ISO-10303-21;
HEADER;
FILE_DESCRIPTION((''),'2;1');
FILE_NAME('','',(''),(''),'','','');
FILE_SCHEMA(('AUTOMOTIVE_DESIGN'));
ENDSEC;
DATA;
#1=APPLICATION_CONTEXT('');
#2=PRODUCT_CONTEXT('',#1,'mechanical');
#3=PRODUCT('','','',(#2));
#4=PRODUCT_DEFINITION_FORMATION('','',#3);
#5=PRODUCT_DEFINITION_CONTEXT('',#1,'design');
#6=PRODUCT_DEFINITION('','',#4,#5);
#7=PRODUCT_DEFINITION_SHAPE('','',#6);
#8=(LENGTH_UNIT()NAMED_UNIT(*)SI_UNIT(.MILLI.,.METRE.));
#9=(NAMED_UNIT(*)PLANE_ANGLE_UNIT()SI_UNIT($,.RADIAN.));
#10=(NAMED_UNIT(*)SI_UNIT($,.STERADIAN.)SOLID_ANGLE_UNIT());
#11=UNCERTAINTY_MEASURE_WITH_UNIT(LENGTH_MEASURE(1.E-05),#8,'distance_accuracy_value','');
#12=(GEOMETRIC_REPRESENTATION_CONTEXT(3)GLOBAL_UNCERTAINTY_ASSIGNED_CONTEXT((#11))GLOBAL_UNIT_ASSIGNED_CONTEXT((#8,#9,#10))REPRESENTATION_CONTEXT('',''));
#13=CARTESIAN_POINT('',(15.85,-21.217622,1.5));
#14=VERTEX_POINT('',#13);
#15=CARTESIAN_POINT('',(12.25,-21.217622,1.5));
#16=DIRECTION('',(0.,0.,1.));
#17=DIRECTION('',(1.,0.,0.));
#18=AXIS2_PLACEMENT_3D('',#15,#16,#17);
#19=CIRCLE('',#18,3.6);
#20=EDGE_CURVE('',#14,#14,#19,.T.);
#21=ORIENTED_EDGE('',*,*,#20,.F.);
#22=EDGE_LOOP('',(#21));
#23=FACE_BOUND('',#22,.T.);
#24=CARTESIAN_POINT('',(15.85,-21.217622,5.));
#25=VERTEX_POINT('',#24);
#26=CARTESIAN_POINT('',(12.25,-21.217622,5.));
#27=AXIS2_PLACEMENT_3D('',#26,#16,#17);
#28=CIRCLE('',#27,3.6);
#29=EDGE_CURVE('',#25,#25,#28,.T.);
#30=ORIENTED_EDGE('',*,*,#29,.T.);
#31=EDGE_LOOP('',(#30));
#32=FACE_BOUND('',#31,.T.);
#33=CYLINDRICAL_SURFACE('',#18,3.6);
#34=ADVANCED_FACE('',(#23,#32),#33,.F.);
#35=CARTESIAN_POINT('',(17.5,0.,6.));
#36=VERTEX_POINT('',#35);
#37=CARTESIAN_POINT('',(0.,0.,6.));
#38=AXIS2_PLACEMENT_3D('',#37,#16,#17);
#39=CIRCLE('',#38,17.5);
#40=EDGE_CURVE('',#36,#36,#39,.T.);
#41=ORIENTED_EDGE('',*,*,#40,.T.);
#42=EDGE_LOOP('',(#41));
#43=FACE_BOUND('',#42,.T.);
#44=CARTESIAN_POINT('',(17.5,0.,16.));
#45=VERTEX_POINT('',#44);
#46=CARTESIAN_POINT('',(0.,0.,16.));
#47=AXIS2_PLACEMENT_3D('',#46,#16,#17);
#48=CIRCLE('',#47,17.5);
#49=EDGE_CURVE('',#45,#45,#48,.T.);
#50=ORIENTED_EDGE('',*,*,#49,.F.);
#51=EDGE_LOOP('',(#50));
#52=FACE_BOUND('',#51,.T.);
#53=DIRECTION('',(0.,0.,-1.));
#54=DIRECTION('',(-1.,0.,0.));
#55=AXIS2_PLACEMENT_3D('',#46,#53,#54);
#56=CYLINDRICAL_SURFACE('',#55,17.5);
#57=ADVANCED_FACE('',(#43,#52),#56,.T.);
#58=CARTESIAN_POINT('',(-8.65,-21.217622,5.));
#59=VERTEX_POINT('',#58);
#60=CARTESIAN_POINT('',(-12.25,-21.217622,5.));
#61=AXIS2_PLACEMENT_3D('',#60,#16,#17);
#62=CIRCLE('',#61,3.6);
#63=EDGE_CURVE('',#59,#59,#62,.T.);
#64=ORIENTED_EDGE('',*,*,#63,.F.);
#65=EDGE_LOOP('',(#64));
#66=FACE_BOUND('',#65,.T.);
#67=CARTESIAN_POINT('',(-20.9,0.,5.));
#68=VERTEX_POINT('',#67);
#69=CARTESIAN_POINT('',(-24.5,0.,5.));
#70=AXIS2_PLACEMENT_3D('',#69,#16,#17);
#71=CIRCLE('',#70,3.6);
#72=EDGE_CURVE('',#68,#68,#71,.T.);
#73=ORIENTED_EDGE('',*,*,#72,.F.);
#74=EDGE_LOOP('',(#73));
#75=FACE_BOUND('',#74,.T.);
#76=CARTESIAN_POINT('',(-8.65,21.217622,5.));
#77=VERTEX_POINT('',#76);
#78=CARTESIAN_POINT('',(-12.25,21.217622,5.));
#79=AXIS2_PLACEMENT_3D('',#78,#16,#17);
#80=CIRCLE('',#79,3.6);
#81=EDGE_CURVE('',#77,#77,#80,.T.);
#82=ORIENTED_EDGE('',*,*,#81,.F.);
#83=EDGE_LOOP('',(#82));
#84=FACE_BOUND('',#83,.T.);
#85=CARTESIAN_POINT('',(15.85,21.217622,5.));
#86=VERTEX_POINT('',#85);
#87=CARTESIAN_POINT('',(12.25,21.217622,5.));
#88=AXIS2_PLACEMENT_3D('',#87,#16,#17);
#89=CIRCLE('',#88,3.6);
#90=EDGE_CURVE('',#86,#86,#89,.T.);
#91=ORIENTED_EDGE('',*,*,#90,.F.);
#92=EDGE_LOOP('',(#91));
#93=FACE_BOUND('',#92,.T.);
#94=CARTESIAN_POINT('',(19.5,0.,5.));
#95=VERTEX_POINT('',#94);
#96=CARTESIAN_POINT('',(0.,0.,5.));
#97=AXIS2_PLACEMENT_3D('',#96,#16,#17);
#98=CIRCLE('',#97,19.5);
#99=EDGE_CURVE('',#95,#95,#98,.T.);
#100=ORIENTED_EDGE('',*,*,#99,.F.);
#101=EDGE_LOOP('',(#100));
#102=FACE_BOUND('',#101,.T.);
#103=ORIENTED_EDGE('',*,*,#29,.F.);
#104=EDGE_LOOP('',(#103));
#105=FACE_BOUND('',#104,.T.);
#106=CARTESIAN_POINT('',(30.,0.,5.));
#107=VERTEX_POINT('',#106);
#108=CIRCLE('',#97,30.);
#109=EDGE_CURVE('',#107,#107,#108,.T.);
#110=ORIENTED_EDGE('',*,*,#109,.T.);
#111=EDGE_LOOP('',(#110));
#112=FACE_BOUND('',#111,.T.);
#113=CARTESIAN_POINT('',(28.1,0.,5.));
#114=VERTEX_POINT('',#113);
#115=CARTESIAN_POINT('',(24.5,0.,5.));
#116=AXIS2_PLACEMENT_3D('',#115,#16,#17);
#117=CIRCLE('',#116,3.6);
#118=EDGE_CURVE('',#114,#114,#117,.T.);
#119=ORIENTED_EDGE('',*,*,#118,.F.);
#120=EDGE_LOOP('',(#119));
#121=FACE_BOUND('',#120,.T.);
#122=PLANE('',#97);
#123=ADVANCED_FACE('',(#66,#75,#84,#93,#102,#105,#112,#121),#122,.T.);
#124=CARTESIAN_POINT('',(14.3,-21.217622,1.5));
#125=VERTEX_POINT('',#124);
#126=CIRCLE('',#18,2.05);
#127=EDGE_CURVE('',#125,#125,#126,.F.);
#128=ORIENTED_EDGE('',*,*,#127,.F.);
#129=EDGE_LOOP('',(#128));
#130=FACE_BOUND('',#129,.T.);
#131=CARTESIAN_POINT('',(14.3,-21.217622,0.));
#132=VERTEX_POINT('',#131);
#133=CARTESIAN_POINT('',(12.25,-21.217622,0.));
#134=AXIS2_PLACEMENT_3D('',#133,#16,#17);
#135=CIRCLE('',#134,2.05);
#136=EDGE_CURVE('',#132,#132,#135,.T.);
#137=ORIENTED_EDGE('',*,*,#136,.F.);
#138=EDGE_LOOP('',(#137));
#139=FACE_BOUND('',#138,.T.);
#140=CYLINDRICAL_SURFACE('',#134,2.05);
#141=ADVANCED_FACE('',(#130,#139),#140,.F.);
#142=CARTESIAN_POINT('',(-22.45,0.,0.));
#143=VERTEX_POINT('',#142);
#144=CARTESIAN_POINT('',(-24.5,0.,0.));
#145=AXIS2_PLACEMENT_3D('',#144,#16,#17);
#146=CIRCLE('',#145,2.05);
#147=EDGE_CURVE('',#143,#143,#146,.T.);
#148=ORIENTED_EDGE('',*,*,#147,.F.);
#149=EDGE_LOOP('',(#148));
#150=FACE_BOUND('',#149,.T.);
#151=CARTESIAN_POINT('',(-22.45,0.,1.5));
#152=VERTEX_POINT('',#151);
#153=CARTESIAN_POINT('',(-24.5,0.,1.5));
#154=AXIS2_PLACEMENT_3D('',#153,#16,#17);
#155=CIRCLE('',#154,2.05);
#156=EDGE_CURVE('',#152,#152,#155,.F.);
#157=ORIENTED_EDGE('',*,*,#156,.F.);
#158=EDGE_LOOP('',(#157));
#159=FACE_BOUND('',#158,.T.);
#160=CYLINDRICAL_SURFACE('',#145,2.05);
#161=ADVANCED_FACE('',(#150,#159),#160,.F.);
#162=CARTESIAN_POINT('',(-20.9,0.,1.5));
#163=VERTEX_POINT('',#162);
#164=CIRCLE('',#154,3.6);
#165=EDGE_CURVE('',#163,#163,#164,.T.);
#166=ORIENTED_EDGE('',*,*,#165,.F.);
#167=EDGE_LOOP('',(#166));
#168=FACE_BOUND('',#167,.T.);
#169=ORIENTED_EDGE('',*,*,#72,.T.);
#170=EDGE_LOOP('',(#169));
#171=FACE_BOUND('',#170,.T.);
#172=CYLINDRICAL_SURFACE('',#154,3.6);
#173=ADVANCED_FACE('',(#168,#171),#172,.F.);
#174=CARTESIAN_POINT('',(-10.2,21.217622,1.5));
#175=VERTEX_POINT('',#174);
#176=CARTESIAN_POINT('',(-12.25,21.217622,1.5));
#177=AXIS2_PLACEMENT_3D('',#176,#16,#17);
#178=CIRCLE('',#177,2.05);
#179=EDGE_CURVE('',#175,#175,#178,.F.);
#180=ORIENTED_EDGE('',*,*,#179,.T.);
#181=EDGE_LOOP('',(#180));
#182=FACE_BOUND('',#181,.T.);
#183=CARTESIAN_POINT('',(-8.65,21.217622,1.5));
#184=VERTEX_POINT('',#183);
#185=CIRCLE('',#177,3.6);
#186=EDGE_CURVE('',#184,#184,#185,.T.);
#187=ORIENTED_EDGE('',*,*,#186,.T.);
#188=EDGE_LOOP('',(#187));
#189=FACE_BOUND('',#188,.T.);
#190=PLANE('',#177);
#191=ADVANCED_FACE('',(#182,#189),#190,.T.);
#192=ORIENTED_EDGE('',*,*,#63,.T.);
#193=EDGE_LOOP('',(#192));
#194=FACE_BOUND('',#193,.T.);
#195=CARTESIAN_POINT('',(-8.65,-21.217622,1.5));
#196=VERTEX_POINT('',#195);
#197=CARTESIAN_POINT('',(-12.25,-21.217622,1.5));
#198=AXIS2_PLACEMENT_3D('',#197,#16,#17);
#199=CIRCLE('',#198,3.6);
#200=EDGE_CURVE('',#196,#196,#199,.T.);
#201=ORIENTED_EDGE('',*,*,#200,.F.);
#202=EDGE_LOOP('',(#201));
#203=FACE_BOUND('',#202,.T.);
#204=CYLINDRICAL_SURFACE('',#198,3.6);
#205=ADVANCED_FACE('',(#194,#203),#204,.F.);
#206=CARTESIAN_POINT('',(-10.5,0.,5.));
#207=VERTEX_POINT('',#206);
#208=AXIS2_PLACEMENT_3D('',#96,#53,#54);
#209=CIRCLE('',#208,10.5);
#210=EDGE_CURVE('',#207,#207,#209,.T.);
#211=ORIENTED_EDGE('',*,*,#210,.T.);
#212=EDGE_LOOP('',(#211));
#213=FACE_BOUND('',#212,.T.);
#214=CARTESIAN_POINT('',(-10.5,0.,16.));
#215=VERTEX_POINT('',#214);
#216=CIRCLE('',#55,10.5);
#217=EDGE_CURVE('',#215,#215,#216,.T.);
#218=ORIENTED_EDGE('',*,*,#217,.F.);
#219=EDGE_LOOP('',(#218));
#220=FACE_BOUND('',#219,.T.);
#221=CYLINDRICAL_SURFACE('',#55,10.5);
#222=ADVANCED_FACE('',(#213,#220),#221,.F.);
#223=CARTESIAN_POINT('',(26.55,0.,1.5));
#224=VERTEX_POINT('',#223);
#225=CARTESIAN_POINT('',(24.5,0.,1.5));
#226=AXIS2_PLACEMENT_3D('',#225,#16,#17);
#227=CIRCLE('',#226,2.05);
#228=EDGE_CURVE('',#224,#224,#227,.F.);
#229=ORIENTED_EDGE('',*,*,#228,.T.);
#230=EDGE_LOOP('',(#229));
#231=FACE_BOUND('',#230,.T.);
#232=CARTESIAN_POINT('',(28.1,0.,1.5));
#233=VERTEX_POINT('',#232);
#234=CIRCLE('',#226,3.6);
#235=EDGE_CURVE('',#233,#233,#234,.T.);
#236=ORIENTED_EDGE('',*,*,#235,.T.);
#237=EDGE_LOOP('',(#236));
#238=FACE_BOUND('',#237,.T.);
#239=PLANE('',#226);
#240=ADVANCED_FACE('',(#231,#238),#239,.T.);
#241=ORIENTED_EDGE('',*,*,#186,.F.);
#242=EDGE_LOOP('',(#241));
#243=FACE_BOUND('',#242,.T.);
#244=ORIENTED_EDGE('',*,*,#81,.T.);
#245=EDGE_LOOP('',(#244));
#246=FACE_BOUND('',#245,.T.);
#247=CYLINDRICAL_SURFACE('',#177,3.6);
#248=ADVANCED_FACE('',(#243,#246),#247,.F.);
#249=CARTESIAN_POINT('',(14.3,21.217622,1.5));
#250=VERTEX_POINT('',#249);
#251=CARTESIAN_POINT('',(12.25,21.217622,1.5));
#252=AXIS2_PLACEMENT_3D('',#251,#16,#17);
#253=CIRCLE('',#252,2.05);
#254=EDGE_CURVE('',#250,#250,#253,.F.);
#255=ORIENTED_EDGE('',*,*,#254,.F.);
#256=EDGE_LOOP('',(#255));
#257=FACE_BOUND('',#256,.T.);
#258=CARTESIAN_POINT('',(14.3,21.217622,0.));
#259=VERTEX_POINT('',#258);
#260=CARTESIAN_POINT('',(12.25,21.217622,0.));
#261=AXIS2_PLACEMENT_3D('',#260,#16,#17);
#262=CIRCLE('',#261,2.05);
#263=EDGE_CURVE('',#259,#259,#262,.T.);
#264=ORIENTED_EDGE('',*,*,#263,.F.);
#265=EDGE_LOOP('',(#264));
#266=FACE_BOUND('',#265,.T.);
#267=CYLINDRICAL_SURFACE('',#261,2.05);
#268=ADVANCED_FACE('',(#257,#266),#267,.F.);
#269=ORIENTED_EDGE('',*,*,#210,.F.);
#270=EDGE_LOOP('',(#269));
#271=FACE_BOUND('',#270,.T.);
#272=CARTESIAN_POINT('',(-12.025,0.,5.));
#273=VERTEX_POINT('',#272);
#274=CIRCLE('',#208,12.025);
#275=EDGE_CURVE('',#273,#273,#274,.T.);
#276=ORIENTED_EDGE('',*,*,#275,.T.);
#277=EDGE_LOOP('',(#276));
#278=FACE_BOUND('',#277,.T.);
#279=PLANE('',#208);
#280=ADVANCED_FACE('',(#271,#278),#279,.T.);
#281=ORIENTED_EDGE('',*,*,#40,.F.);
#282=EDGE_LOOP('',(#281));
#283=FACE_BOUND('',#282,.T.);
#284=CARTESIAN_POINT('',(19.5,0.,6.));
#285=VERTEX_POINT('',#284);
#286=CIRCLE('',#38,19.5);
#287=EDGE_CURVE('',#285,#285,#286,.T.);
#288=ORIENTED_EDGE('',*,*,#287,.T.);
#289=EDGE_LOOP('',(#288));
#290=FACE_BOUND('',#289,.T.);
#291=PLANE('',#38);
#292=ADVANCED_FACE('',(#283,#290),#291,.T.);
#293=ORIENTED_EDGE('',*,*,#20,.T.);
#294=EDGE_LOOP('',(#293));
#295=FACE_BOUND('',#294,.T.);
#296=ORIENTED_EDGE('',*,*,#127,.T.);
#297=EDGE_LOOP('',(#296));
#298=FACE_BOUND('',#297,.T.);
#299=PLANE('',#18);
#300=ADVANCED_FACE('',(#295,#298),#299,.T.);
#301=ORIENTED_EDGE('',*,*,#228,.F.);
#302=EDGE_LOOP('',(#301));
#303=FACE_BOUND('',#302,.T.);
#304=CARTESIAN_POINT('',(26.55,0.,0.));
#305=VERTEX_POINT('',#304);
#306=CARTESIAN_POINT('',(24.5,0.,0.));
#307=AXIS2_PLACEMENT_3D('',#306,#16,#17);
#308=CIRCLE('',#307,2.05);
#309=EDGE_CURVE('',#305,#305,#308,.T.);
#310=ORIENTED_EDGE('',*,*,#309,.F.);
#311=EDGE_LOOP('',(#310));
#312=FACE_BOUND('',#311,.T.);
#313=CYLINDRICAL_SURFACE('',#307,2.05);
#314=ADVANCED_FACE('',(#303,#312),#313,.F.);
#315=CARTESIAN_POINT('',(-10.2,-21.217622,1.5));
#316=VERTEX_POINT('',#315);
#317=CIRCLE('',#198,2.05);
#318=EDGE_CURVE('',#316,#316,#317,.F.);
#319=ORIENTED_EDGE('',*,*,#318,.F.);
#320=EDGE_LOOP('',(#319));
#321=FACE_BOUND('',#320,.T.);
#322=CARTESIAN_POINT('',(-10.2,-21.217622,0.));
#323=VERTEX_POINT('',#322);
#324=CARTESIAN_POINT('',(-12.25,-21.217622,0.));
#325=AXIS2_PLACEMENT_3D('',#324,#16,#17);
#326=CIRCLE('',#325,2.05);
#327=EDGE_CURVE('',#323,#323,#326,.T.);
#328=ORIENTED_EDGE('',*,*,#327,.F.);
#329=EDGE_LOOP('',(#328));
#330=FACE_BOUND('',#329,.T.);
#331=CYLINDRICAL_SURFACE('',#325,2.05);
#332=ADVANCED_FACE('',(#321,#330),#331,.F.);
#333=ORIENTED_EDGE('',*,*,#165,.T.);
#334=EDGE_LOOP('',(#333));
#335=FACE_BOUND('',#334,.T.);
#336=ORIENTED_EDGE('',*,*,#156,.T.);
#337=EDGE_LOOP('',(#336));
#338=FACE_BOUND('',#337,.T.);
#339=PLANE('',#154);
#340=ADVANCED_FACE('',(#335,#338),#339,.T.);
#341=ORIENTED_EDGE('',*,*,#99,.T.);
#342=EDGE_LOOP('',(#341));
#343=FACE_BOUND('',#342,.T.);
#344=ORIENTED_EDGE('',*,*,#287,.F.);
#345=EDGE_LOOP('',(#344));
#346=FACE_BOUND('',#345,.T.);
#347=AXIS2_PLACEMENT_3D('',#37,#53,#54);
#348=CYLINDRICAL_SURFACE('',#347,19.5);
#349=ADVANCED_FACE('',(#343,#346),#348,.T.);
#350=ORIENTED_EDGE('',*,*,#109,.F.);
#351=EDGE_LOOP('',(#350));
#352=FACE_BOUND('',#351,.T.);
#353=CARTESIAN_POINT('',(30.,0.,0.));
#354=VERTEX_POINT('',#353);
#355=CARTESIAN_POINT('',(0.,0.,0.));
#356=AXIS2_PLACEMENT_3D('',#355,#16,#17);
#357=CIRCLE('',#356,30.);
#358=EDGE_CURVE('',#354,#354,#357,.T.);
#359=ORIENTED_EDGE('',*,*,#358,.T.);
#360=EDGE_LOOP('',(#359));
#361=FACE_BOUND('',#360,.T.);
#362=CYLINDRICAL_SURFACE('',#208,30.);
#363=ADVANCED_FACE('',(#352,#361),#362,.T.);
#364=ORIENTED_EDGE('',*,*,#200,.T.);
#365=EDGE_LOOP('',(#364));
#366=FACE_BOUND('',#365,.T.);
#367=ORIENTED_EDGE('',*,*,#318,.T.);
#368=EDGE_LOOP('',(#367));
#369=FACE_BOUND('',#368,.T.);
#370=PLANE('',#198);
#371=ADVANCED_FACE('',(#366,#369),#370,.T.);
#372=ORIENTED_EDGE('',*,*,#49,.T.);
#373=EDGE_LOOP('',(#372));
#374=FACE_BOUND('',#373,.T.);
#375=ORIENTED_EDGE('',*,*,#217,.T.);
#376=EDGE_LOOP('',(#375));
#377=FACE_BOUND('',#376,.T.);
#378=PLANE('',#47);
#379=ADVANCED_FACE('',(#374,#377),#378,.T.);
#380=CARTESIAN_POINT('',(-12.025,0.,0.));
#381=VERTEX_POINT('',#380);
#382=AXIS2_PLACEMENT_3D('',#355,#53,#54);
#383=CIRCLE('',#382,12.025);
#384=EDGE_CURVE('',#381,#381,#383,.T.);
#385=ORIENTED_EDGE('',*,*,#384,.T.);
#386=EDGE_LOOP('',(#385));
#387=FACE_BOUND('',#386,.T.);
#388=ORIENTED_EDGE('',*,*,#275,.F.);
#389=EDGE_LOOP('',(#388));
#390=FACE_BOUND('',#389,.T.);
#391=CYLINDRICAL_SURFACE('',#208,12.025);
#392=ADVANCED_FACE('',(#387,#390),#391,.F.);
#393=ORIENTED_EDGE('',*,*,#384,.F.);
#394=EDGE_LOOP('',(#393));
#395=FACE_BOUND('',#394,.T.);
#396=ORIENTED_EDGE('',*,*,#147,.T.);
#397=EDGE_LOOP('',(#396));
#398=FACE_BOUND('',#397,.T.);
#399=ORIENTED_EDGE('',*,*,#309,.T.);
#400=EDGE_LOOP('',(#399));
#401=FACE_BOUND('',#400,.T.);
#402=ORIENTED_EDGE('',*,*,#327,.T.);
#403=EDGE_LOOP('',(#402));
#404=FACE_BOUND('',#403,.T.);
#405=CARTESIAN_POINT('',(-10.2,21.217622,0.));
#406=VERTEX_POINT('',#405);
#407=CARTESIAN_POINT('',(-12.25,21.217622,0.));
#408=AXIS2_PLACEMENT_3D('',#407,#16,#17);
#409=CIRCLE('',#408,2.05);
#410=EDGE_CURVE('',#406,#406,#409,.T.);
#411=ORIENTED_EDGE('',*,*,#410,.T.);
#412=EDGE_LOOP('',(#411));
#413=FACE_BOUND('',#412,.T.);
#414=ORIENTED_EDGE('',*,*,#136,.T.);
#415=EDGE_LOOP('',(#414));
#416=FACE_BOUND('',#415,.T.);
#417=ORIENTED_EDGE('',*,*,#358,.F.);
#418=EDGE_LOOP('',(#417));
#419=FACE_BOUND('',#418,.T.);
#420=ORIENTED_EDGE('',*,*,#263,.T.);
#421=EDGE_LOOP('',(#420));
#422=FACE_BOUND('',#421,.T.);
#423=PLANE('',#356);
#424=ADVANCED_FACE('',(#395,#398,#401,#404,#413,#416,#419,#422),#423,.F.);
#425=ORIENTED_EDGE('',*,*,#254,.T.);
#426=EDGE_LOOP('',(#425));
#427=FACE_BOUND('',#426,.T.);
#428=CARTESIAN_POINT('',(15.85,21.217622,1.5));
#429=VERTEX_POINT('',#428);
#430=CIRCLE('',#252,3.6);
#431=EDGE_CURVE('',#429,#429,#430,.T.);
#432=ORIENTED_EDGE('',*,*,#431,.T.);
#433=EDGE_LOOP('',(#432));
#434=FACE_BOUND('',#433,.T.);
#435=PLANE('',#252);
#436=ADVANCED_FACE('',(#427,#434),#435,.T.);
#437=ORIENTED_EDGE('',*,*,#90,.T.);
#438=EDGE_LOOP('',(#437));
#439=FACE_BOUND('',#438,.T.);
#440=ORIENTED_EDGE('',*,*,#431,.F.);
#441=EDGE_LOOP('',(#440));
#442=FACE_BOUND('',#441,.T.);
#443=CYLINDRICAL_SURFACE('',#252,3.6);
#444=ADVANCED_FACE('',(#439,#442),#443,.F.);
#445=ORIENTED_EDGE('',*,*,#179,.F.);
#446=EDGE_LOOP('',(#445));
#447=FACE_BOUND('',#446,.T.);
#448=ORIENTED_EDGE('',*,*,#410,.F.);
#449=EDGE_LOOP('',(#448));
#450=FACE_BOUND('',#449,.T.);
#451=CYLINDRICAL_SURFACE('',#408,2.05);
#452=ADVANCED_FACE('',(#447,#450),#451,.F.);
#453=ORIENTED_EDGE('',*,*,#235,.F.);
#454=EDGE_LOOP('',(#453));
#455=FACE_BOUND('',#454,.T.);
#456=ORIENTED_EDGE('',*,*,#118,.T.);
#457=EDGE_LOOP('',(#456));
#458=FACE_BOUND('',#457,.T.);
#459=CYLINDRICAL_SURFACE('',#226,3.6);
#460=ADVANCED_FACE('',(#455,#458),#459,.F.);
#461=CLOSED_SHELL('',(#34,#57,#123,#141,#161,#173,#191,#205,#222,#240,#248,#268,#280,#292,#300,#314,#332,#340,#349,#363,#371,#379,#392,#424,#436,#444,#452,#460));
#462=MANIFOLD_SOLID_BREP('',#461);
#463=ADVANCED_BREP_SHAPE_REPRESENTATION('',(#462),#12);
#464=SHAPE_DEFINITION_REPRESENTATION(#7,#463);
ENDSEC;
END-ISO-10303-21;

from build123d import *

# Parameters (mm, degrees)
SKETCH1_R           = 30
BOSS_EXTRUDE1_DEPTH = 5
SKETCH2_R           = 19.5
BOSS_EXTRUDE2_DEPTH = 1
SKETCH3_R           = 17.5
BOSS_EXTRUDE3_DEPTH = 10
SKETCH5_R           = 2.05
CUT_EXTRUDE1_DEPTH  = 44.829214002
SKETCH6_R           = 3.6
CUT_EXTRUDE2_DEPTH  = 3.5
SKETCH9_R           = 5.5
CUT_EXTRUDE5_DEPTH  = 4
SKETCH7_R           = 12.025
CUT_EXTRUDE3_DEPTH  = 5
SKETCH8_R           = 10.5
CUT_EXTRUDE4_DEPTH  = 44.829214002


with BuildPart() as part:
    # Sketch1 → Boss-Extrude1 (new body)
    with BuildSketch(Plane.XY):
        Circle(SKETCH1_R)
    extrude(amount=BOSS_EXTRUDE1_DEPTH)

    # Sketch2 → Boss-Extrude2 (add)
    with BuildSketch(Plane.XY.offset(5)):
        Circle(SKETCH2_R)
    extrude(amount=BOSS_EXTRUDE2_DEPTH)

    # Sketch3 → Boss-Extrude3 (add)
    with BuildSketch(Plane.XY.offset(6)):
        Circle(SKETCH3_R)
    extrude(amount=BOSS_EXTRUDE3_DEPTH)

    # Sketch5 → Cut-Extrude1 (cut, through all)
    with BuildSketch(Plane.XY.offset(5)):
        with Locations((24.5, 0)):
            Circle(SKETCH5_R)
        with Locations((12.25, -21.217622393)):
            Circle(SKETCH5_R)
        with Locations((-12.25, -21.217622393)):
            Circle(SKETCH5_R)
        with Locations((-24.5, 0)):
            Circle(SKETCH5_R)
        with Locations((-12.25, 21.217622393)):
            Circle(SKETCH5_R)
        with Locations((12.25, 21.217622393)):
            Circle(SKETCH5_R)
    extrude(amount=-CUT_EXTRUDE1_DEPTH, mode=Mode.SUBTRACT)

    # Sketch6 → Cut-Extrude2 (cut)
    with BuildSketch(Plane.XY.offset(5)):
        with Locations((24.5, 0)):
            Circle(SKETCH6_R)
        with Locations((12.25, -21.217622393)):
            Circle(SKETCH6_R)
        with Locations((-12.25, -21.217622393)):
            Circle(SKETCH6_R)
        with Locations((-24.5, 0)):
            Circle(SKETCH6_R)
        with Locations((-12.25, 21.217622393)):
            Circle(SKETCH6_R)
        with Locations((12.25, 21.217622393)):
            Circle(SKETCH6_R)
    extrude(amount=-CUT_EXTRUDE2_DEPTH, mode=Mode.SUBTRACT)

    # Sketch9 → Cut-Extrude5 (cut)
    with BuildSketch(Plane(origin=(0, 0, 0), x_dir=(-1, 0, 0), z_dir=(0, 0, -1))):
        Circle(SKETCH9_R)
    extrude(amount=-CUT_EXTRUDE5_DEPTH, mode=Mode.SUBTRACT)

    # Sketch7 → Cut-Extrude3 (cut)
    with BuildSketch(Plane(origin=(0, 0, 0), x_dir=(-1, 0, 0), z_dir=(0, 0, -1))):
        Circle(SKETCH7_R)
    extrude(amount=-CUT_EXTRUDE3_DEPTH, mode=Mode.SUBTRACT)

    # Sketch8 → Cut-Extrude4 (cut, through all)
    with BuildSketch(Plane(origin=(0, 0, 5), x_dir=(-1, 0, 0), z_dir=(0, 0, -1))):
        Circle(SKETCH8_R)
    extrude(amount=-CUT_EXTRUDE4_DEPTH, mode=Mode.SUBTRACT)


solid = part.part
